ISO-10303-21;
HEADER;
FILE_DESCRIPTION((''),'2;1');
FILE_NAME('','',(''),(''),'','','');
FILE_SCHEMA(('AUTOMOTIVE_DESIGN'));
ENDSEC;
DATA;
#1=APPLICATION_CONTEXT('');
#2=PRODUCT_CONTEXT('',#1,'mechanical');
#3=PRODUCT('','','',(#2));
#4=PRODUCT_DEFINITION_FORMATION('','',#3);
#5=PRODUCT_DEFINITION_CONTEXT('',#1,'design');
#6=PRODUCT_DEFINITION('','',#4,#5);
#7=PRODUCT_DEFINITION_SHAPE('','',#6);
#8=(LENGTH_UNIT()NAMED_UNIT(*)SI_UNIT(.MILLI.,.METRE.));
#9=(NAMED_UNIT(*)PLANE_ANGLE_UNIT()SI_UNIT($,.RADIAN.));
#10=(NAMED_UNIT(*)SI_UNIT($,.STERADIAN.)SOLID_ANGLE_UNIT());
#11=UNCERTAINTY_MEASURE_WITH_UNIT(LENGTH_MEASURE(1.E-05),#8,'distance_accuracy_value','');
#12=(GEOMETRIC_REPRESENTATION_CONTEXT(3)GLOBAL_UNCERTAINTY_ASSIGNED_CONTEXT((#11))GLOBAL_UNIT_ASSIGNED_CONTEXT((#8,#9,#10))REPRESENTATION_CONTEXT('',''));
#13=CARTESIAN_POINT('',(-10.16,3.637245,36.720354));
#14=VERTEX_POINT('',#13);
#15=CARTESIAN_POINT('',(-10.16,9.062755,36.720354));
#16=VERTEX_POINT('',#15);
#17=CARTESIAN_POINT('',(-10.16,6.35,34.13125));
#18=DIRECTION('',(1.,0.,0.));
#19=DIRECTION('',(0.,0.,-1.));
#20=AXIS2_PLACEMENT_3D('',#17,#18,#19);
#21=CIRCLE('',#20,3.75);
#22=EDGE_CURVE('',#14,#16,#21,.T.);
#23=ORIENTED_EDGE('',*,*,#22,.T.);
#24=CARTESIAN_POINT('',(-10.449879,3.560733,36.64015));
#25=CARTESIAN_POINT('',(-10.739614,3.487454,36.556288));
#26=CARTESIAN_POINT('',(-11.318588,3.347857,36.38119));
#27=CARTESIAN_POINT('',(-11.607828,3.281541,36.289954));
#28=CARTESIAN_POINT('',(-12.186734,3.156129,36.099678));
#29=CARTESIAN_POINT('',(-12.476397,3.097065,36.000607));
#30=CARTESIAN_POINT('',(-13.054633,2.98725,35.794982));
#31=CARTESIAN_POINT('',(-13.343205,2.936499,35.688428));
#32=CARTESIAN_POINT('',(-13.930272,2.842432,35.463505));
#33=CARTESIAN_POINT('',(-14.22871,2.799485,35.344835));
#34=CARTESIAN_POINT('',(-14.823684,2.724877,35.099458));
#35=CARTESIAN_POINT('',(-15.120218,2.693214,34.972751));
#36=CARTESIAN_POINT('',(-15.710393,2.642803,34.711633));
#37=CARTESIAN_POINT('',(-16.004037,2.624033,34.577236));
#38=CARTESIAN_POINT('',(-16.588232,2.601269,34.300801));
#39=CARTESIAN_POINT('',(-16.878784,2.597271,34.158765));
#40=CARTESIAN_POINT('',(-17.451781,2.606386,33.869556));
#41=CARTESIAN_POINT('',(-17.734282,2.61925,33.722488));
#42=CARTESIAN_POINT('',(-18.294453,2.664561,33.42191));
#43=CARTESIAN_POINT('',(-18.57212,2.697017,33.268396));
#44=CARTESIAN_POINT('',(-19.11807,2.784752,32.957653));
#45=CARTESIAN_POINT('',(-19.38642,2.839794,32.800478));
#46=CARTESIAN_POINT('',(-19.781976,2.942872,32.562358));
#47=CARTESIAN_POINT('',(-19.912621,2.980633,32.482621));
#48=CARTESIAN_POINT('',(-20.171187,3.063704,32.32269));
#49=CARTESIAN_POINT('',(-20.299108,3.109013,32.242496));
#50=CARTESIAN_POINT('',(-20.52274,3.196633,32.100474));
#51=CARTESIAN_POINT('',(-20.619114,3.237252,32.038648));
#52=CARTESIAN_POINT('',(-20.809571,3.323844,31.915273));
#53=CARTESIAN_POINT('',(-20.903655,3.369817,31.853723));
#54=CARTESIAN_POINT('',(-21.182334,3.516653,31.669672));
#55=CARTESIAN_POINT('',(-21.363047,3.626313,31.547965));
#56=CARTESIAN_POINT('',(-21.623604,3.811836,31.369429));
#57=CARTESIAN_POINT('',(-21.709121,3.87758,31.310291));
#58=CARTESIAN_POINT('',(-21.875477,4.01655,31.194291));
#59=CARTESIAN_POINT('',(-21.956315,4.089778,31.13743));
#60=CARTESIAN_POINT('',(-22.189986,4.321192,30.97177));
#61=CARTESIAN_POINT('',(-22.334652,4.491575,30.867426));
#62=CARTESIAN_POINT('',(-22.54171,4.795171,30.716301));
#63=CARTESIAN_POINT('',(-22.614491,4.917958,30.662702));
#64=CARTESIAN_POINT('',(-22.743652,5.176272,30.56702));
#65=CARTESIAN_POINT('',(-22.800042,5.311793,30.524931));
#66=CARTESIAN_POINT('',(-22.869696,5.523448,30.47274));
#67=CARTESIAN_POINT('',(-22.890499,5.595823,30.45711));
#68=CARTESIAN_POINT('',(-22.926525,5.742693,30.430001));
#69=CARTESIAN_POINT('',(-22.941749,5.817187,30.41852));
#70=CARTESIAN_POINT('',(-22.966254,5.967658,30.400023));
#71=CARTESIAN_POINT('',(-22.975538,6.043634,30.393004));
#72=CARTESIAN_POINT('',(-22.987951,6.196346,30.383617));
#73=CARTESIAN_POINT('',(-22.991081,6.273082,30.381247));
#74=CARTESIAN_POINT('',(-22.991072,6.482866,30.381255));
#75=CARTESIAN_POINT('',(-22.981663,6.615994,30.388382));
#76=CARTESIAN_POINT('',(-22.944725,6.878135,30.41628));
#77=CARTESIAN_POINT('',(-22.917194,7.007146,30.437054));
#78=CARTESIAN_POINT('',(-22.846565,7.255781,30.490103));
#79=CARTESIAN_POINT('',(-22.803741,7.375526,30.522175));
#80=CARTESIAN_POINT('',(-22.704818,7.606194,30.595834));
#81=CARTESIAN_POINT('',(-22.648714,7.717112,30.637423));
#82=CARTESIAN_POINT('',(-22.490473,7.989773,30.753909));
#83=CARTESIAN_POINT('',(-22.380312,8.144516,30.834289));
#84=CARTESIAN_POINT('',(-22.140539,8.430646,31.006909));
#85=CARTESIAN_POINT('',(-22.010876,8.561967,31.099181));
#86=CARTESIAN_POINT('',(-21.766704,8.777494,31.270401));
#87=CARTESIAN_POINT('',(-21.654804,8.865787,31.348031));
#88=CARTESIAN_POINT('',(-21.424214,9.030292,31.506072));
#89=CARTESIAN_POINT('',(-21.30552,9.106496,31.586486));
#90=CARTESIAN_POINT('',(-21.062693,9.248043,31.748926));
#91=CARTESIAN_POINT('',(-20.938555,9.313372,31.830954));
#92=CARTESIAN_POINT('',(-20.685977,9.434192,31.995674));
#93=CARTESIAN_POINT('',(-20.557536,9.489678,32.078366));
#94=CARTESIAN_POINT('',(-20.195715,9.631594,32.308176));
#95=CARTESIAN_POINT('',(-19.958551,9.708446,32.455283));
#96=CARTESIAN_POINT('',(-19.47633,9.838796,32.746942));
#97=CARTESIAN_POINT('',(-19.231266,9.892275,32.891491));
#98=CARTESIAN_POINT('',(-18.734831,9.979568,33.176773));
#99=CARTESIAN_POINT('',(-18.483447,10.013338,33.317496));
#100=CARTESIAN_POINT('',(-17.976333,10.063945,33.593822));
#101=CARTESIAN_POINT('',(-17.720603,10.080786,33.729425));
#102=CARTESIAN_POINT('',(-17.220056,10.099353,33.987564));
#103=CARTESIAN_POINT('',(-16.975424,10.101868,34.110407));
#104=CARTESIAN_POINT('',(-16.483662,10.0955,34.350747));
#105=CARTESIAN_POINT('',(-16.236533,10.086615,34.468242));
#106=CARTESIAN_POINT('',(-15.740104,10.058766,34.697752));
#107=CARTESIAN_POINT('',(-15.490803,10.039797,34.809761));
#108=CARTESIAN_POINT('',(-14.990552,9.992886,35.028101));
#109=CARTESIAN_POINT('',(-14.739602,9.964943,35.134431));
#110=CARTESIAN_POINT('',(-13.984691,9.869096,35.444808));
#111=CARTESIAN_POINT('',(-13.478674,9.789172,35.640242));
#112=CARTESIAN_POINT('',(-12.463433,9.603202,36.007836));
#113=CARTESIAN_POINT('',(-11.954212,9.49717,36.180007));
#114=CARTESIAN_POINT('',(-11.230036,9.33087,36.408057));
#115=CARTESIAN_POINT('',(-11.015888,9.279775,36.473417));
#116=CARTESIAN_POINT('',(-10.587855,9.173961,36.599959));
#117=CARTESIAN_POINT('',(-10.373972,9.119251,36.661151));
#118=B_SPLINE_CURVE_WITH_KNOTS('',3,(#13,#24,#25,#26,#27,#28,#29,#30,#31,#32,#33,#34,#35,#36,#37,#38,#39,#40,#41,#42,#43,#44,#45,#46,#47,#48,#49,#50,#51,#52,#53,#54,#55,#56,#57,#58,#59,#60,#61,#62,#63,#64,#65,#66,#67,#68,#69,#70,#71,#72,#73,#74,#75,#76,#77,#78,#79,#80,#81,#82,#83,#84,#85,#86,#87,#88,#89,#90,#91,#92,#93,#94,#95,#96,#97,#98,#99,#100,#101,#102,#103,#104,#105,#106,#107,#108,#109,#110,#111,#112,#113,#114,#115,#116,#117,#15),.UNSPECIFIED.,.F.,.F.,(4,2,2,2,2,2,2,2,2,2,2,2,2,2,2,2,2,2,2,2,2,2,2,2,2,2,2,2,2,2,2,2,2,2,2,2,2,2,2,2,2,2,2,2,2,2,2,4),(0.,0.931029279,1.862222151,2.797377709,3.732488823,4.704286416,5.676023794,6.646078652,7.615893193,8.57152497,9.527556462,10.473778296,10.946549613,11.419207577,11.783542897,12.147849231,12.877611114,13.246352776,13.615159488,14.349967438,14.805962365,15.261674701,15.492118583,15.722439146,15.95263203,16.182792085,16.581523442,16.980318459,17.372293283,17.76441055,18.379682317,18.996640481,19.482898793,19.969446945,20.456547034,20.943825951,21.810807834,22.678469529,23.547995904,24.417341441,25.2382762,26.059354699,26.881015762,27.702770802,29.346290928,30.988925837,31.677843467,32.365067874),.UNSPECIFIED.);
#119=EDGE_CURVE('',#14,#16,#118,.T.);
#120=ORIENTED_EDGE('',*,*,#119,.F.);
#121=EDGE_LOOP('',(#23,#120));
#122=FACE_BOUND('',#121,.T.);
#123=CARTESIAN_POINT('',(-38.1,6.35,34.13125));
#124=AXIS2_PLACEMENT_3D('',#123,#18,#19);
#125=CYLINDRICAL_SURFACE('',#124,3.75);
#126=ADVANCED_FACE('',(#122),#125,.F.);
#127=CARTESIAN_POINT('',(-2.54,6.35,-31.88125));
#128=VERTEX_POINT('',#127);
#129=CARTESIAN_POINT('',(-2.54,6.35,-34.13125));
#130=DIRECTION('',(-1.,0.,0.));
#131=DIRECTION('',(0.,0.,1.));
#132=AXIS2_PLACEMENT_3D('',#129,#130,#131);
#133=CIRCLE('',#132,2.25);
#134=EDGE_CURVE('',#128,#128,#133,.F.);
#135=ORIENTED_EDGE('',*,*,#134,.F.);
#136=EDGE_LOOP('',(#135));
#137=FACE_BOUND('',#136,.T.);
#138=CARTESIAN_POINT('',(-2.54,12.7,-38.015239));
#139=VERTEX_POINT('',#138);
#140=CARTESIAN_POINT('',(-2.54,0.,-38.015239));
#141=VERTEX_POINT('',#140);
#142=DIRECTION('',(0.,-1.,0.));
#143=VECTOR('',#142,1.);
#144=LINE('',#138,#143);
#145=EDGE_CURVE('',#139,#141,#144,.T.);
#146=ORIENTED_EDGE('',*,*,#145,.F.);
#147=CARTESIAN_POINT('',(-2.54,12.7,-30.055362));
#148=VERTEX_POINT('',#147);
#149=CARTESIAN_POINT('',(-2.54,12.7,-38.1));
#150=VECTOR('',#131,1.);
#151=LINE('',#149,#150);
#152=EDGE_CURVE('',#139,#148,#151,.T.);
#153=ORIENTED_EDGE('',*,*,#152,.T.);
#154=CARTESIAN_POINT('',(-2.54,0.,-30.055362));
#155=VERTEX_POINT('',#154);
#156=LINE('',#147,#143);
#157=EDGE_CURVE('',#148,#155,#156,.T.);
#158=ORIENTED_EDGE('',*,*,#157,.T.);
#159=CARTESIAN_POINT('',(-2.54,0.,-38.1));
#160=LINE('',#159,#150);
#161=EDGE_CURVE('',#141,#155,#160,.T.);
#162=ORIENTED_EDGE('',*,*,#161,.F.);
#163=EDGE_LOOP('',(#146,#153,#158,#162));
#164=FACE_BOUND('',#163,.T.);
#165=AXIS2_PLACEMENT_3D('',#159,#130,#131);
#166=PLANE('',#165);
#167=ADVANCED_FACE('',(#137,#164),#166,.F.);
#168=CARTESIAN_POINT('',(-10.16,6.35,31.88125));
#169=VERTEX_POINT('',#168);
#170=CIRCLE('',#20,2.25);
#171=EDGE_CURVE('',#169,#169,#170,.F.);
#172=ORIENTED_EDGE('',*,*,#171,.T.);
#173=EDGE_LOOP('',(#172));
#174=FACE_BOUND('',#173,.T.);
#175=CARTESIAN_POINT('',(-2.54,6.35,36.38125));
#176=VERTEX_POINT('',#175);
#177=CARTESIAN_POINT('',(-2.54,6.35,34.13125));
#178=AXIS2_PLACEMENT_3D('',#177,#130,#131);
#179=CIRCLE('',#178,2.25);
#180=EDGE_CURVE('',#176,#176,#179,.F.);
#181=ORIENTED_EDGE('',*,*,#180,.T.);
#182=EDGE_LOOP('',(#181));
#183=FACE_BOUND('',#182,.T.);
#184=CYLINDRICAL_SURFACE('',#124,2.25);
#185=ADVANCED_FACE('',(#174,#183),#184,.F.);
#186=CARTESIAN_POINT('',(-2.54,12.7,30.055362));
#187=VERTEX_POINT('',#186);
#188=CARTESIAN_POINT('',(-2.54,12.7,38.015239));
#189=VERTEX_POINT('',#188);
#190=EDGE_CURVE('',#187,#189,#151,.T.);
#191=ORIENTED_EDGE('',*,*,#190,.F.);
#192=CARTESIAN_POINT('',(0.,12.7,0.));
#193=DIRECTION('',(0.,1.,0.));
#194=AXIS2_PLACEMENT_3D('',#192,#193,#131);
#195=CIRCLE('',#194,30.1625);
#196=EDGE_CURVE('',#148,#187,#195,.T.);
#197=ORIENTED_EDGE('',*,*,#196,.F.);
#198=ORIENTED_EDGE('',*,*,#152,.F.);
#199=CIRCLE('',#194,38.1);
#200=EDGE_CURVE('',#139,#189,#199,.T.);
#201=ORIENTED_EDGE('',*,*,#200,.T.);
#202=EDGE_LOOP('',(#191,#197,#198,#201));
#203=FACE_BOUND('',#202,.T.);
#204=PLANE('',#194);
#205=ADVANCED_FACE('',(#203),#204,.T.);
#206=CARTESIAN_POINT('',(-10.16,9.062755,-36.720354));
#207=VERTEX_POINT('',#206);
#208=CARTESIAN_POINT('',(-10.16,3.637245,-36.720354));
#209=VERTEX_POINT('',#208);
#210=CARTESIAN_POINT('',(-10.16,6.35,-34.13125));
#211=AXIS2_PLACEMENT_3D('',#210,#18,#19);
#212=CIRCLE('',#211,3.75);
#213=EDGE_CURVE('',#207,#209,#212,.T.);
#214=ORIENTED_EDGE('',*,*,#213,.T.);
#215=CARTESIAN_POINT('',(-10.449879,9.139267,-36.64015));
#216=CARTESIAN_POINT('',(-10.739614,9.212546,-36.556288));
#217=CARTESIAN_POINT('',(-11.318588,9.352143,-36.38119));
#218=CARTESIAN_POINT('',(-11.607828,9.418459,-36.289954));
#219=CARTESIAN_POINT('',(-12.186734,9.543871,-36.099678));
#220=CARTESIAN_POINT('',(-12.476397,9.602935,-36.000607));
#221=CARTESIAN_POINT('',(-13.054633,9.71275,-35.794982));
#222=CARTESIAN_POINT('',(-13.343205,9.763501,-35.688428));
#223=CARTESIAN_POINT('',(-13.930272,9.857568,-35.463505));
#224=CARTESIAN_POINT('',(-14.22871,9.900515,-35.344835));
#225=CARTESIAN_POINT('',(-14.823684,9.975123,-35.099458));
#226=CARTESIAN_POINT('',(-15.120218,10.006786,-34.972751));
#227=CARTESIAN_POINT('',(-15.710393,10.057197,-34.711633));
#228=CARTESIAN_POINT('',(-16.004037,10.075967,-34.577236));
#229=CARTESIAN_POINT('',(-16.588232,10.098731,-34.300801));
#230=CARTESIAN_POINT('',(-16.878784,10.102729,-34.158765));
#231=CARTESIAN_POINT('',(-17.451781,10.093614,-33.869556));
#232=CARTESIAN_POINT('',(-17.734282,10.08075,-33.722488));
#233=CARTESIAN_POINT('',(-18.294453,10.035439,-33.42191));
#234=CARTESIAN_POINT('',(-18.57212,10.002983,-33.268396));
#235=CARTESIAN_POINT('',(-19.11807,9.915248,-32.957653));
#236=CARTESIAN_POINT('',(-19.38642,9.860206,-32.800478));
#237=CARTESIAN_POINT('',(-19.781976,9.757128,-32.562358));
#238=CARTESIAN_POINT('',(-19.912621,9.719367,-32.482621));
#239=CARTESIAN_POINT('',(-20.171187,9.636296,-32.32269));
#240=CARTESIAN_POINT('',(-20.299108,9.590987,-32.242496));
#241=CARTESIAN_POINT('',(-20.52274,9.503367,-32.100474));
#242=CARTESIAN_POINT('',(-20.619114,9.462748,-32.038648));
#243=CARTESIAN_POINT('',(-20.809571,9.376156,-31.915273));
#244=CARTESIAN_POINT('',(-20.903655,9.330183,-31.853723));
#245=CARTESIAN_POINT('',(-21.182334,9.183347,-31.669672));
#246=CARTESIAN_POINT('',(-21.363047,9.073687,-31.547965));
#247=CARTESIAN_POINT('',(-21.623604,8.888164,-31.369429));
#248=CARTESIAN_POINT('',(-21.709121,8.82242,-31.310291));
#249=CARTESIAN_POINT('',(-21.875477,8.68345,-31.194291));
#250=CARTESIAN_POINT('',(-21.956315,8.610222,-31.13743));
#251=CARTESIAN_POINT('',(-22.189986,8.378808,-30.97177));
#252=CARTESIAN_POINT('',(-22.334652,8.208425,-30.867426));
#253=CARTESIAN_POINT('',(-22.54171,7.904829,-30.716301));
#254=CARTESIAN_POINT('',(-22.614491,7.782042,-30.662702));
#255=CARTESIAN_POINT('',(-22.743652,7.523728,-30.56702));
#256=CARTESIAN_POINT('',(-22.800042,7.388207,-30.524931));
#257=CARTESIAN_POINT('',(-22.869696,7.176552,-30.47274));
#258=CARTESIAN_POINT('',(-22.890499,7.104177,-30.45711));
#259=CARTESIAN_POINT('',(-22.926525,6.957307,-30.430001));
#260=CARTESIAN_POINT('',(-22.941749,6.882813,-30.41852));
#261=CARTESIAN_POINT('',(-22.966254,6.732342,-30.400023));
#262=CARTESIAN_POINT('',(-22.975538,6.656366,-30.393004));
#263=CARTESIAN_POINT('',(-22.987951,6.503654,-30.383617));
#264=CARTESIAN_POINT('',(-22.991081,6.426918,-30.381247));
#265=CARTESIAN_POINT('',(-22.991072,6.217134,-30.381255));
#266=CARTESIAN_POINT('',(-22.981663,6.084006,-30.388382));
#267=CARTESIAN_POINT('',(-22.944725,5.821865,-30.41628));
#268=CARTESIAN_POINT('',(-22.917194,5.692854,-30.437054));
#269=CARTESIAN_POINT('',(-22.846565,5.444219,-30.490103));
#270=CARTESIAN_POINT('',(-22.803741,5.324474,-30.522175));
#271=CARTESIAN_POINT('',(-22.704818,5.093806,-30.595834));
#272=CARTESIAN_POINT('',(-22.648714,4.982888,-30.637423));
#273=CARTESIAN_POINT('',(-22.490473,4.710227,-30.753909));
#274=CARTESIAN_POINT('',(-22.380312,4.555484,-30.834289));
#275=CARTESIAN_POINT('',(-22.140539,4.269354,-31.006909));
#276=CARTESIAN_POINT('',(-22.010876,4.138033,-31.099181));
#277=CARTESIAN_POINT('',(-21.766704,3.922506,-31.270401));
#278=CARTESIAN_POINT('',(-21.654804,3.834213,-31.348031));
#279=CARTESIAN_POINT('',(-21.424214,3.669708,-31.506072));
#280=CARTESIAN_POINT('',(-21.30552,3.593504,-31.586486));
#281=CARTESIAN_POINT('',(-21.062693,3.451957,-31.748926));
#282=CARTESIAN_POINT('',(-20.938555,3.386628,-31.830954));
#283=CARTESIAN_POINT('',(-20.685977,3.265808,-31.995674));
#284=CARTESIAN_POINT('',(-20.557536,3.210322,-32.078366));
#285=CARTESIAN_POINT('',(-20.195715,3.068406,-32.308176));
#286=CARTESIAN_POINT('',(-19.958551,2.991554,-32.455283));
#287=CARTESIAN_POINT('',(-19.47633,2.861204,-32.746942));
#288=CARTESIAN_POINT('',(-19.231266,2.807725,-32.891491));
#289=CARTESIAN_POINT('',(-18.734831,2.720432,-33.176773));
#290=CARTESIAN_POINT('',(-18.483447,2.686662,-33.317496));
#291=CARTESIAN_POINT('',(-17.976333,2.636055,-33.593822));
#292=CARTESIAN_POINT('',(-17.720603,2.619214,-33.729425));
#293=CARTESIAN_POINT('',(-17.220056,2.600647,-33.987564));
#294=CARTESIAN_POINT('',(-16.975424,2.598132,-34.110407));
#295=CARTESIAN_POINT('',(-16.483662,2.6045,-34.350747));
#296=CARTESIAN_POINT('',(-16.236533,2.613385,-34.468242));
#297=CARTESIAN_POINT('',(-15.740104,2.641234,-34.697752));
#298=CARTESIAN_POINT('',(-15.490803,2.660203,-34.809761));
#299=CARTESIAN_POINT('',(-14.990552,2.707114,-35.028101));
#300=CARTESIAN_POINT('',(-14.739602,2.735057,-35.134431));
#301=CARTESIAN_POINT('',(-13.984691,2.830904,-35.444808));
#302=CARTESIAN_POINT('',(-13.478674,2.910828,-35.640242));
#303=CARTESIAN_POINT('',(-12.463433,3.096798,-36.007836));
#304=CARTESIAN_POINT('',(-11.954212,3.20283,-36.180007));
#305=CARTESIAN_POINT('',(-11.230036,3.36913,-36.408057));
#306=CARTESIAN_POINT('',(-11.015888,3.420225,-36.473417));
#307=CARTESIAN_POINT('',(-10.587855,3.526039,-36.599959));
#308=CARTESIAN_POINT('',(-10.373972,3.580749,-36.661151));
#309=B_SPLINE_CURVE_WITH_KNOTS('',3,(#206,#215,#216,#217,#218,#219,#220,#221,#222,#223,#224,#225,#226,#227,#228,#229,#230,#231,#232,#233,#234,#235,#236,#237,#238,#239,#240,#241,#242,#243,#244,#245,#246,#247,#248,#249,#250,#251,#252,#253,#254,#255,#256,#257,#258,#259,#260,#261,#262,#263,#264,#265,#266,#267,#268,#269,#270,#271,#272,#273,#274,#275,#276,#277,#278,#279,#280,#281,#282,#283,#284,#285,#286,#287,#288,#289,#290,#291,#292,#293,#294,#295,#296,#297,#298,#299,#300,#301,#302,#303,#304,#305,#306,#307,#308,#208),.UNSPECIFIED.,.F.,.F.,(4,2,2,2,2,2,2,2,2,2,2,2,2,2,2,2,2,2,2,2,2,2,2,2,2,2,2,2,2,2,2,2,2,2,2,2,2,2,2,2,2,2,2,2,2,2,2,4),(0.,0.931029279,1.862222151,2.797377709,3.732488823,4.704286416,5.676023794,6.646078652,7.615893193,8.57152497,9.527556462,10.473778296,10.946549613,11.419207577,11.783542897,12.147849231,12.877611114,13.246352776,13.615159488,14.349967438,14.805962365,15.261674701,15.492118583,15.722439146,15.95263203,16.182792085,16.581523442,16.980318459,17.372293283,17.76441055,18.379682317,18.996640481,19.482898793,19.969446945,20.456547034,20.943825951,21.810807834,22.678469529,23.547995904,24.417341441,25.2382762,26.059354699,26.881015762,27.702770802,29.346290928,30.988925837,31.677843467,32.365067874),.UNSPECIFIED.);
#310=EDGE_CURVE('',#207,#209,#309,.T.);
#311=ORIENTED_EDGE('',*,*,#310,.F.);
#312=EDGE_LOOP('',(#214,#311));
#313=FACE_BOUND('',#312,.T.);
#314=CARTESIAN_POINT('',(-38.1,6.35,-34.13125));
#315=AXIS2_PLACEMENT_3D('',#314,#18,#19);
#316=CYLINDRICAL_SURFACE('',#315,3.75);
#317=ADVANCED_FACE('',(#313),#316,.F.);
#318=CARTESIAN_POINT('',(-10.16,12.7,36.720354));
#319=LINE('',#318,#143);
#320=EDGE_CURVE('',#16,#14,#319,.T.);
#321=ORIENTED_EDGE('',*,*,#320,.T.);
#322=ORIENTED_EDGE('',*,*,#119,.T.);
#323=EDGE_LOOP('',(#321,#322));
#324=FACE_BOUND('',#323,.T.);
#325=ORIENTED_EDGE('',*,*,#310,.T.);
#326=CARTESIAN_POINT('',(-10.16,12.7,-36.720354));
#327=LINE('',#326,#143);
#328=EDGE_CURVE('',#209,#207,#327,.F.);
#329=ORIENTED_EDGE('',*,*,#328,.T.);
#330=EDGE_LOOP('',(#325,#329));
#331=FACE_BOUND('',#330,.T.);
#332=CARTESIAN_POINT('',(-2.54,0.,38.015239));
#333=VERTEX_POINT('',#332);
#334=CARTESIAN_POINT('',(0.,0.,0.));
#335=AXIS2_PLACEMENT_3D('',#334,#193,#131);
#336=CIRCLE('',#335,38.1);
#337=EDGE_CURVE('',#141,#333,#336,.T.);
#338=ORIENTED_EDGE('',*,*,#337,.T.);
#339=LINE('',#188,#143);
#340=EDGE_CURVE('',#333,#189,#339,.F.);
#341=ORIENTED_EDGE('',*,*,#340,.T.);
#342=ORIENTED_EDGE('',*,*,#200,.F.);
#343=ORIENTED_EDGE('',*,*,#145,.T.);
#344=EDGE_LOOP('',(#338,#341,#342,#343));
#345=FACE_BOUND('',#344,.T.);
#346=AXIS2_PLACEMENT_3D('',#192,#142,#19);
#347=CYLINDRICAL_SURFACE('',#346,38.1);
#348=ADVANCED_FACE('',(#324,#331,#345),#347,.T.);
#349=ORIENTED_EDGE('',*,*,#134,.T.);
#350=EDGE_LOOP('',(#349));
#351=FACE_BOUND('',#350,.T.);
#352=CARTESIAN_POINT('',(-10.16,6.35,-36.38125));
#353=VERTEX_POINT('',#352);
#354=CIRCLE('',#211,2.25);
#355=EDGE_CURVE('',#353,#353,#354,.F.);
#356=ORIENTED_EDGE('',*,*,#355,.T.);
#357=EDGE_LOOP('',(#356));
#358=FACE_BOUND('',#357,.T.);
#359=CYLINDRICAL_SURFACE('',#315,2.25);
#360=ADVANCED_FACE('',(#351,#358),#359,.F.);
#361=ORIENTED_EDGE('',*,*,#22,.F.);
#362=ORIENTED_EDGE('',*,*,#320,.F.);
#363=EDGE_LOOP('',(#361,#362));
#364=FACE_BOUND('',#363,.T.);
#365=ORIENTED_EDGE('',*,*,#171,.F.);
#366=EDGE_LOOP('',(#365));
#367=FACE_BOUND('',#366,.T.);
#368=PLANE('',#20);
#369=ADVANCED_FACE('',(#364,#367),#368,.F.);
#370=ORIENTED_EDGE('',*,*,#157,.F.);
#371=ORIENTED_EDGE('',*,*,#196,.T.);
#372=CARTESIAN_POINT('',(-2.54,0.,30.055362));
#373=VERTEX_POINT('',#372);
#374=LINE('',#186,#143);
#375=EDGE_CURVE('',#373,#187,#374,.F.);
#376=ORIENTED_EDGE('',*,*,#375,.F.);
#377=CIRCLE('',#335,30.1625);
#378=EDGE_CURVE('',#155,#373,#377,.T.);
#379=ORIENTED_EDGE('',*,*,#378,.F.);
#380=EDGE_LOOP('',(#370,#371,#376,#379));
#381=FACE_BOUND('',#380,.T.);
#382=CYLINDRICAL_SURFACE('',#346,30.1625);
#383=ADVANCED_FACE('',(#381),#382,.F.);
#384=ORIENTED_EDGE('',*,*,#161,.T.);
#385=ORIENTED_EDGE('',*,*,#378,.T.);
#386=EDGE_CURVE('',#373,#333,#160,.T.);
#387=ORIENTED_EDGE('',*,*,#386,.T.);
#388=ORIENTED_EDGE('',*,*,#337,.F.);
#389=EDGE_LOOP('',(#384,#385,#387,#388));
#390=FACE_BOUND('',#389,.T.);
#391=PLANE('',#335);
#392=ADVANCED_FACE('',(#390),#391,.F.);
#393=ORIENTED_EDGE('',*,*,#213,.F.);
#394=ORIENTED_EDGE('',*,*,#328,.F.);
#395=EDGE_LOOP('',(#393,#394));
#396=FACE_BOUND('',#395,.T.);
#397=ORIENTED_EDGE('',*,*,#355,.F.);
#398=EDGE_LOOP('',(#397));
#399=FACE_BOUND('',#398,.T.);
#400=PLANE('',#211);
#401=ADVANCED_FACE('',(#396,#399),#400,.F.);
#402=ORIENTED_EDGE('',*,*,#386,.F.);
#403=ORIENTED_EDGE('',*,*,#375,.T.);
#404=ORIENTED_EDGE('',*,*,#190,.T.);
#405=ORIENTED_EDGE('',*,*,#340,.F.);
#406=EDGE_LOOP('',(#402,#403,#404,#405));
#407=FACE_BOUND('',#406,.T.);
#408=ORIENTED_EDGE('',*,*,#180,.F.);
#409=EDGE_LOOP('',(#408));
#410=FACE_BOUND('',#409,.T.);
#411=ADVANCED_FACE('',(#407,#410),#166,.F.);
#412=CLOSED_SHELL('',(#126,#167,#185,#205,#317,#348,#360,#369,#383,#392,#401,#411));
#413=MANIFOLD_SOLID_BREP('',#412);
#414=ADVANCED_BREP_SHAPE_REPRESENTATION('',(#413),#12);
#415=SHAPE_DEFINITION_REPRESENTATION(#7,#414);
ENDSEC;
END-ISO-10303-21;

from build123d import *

# Parameters (mm, degrees)
BOSS_EXTRUDE1_DEPTH = 12.7
SKETCH2_R           = 2.25
CUT_EXTRUDE1_DEPTH  = 39.1
CUT_EXTRUDE2_START  = -10.16
SKETCH3_R           = 3.75
CUT_EXTRUDE2_DEPTH  = 28.9400001
SKETCH4_W           = 2.54
SKETCH4_H           = 76.2
CUT_EXTRUDE3_DEPTH  = 13.7000001


with BuildPart() as part:
    # Sketch1 → Boss-Extrude1 (new body)
    with BuildSketch(Plane(origin=(0, 0, 0), x_dir=(1, 0, 0), z_dir=(0, 1, 0))):
        with BuildLine():
            Line((0, 30.1625), (0, 38.1))
            ThreePointArc((0, 38.1), (-38.1, 0), (0, -38.1))
            Line((0, -38.1), (0, -30.1625))
            ThreePointArc((0, -30.1625), (-30.1625, 0), (0, 30.1625))
        make_face()
    extrude(amount=BOSS_EXTRUDE1_DEPTH)

    # Sketch2 → Cut-Extrude1 (cut, through all)
    with BuildSketch(Plane(origin=(0, 0, 0), x_dir=(0, 0, -1), z_dir=(1, 0, 0))):
        with Locations((-34.13125, 6.35)):
            Circle(SKETCH2_R)
        with Locations((34.13125, 6.35)):
            Circle(SKETCH2_R)
    extrude(amount=-CUT_EXTRUDE1_DEPTH, mode=Mode.SUBTRACT)

    # Sketch3 → Cut-Extrude2 (cut, through all)
    with BuildSketch(Plane(origin=(0, 0, 0), x_dir=(0, 0, -1), z_dir=(1, 0, 0)).offset(CUT_EXTRUDE2_START)):
        with Locations((34.13125, 6.35)):
            Circle(SKETCH3_R)
        with Locations((-34.13125, 6.35)):
            Circle(SKETCH3_R)
    extrude(amount=-CUT_EXTRUDE2_DEPTH, mode=Mode.SUBTRACT)

    # Sketch4 → Cut-Extrude3 (cut, through all)
    with BuildSketch(Plane(origin=(0, 12.7, 0), x_dir=(1, 0, 0), z_dir=(0, 1, 0))):
        with Locations((-1.27, 0)):
            Rectangle(SKETCH4_W, SKETCH4_H)
    extrude(amount=-CUT_EXTRUDE3_DEPTH, mode=Mode.SUBTRACT)


solid = part.part
